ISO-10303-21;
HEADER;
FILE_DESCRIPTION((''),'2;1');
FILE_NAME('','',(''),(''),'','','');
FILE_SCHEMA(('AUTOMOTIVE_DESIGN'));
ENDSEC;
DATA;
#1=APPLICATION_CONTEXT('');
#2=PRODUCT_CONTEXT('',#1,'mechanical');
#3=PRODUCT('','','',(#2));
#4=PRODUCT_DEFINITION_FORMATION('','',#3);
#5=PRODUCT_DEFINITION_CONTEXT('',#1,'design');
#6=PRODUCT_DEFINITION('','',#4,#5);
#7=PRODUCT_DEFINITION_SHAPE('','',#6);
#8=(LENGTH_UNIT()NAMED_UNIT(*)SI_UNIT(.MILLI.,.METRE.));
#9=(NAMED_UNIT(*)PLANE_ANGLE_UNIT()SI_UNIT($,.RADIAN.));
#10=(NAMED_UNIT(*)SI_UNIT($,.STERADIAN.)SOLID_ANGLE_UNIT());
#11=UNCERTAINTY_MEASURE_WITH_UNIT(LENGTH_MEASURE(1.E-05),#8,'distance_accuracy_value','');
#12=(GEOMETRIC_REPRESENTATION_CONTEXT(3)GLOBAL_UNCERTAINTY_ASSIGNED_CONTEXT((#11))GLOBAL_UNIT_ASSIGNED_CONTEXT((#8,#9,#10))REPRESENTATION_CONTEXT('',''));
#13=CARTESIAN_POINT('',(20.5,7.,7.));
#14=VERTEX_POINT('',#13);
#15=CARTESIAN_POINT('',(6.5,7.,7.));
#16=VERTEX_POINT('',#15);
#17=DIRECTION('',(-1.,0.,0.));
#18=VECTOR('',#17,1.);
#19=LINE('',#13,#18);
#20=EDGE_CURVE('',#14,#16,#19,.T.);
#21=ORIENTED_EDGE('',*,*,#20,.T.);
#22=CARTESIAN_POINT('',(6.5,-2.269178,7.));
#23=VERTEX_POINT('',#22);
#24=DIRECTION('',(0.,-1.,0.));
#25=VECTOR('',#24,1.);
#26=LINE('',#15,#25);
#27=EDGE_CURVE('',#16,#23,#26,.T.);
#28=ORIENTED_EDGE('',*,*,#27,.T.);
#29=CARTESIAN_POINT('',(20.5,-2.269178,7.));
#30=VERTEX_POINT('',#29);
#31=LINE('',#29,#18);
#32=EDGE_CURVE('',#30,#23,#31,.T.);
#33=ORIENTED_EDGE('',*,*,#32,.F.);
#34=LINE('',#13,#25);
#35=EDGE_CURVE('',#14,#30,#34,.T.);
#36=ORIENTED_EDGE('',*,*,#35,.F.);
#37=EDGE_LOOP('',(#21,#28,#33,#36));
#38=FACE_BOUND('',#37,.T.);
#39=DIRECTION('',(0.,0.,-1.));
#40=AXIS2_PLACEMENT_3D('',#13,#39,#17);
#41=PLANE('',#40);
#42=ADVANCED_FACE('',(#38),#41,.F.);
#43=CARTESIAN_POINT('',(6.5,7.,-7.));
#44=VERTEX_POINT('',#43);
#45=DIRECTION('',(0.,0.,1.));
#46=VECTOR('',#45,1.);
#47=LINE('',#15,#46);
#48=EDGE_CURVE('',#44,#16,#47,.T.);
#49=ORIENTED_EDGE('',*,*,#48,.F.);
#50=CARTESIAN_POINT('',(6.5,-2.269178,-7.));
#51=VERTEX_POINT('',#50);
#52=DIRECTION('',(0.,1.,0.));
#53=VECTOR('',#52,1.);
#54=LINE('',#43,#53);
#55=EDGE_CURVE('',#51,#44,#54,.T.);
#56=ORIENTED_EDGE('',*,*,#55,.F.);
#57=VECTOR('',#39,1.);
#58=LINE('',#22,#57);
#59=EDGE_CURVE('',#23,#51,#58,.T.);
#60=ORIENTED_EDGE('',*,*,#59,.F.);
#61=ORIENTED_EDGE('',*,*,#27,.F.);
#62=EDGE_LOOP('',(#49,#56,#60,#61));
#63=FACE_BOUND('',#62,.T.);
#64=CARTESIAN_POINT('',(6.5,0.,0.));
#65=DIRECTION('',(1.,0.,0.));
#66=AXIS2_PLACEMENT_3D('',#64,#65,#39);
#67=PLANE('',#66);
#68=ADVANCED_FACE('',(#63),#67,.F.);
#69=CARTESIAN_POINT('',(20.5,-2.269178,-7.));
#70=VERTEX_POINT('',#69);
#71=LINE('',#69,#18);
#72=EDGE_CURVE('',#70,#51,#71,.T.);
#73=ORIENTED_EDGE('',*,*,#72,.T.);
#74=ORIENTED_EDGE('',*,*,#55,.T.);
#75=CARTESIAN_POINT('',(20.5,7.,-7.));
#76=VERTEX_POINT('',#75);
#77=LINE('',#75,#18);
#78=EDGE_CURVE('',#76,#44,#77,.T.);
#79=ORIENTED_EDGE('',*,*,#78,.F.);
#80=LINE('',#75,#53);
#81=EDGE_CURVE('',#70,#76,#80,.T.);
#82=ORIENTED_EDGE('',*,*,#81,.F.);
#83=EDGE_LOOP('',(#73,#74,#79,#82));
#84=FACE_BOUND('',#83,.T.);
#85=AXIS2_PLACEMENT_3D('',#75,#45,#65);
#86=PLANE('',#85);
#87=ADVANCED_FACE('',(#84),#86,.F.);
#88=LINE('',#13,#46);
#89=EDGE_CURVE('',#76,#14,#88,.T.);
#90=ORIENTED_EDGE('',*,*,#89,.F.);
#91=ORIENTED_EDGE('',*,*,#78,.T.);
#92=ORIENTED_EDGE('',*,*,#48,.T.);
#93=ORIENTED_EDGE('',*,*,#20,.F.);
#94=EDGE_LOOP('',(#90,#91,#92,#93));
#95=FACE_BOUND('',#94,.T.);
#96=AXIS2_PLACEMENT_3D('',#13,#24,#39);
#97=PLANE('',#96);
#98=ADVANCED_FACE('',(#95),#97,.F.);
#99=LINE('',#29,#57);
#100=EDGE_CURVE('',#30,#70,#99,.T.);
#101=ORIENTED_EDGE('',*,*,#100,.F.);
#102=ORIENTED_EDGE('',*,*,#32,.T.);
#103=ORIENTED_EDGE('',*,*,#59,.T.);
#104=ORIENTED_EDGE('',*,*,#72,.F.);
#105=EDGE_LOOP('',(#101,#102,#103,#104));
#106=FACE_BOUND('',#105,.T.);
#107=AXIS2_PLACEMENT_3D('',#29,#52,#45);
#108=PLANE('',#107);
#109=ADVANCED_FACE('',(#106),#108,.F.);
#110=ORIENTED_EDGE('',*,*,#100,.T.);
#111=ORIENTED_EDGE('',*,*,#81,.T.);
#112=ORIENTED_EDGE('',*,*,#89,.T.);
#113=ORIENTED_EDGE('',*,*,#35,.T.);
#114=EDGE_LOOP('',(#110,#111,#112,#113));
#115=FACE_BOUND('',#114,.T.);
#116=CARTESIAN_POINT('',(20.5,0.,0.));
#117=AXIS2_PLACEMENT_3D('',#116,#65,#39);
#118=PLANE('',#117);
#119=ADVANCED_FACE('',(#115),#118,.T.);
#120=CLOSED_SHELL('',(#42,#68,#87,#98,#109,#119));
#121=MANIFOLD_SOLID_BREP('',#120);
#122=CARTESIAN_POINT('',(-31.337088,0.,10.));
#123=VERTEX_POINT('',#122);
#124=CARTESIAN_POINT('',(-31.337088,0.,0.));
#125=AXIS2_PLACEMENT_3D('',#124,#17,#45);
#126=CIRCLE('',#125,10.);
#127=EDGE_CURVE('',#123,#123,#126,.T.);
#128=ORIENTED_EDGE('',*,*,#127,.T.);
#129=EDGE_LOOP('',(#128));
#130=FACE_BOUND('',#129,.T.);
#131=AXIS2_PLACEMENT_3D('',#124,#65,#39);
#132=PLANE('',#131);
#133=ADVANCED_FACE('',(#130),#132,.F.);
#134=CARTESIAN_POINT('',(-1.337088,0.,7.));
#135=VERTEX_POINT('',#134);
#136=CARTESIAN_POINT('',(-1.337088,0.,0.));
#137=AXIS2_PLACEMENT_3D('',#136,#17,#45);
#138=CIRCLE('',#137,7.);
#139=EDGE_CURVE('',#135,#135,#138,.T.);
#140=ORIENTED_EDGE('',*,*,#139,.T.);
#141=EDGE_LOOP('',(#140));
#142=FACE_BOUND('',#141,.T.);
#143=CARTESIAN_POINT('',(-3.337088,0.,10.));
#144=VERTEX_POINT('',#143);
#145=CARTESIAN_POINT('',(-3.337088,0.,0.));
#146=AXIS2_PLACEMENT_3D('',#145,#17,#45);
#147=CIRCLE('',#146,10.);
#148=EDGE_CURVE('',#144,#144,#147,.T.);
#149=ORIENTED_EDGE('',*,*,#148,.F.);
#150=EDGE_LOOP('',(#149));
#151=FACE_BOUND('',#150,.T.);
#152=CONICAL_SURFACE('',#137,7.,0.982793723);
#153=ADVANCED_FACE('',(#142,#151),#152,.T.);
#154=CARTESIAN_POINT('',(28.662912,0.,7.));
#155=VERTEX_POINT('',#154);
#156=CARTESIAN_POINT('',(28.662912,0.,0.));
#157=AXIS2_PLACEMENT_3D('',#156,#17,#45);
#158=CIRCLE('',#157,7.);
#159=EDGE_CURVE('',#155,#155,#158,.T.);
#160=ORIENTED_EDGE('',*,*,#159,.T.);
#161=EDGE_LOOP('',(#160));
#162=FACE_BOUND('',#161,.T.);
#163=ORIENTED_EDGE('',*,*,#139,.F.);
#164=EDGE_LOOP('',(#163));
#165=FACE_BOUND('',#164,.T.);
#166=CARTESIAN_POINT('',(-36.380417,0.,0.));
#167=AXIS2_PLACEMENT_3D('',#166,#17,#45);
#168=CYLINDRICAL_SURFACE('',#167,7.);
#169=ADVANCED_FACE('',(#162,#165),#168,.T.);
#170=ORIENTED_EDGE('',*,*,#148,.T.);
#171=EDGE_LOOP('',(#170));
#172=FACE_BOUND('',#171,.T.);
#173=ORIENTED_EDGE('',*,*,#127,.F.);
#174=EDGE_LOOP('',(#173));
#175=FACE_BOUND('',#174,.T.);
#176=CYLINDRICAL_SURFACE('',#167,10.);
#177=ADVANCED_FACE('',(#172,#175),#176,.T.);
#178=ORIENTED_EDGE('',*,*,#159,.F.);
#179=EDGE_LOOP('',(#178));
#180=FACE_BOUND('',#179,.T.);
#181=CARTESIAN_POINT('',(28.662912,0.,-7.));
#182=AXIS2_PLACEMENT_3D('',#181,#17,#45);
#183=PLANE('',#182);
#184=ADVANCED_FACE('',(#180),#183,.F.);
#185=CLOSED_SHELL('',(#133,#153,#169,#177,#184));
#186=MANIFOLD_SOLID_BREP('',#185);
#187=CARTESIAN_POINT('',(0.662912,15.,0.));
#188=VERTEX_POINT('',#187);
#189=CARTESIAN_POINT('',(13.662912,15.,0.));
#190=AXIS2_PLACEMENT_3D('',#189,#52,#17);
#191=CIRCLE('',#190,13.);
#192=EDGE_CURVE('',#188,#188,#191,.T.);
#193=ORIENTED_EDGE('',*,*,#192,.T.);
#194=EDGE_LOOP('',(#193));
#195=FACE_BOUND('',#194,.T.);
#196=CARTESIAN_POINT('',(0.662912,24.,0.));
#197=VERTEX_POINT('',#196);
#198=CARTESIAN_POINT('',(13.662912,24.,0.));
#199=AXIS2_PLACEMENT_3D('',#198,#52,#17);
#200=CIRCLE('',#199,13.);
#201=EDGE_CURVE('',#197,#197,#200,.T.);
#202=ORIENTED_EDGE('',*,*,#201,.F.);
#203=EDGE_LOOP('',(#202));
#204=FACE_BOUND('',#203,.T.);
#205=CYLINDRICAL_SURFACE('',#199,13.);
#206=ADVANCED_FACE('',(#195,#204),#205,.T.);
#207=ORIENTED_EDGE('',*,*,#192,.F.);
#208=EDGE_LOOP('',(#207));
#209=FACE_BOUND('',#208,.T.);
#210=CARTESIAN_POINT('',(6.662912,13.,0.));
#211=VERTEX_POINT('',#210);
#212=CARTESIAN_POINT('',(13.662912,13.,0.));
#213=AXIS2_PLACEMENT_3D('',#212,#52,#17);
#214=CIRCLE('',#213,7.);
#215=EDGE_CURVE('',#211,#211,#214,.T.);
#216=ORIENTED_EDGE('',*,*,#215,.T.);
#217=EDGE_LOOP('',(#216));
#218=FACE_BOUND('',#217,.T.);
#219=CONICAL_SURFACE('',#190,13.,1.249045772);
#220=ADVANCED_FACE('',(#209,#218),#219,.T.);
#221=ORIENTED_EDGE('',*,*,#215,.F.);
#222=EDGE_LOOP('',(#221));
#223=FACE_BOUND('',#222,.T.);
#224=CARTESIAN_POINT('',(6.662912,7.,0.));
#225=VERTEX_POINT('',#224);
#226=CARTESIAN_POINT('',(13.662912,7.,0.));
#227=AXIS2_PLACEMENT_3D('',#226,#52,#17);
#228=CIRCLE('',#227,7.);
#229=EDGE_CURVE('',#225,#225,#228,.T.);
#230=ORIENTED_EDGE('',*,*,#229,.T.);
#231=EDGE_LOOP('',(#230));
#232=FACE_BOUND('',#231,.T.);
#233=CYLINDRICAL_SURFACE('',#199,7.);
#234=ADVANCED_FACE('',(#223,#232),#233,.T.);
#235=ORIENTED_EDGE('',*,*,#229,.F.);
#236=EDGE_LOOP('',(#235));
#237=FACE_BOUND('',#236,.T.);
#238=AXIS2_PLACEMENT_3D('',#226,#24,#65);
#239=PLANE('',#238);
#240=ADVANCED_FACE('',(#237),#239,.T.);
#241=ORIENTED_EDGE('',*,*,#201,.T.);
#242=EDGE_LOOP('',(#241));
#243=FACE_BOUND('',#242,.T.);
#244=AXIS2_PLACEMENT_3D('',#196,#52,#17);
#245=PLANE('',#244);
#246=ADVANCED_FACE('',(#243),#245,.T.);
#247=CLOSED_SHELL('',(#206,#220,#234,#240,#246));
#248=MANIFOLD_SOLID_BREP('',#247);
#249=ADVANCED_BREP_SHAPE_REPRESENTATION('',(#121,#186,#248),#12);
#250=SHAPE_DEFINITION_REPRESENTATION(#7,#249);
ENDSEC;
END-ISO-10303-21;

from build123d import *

# Parameters (mm, degrees)
BOSS_EXTRUDE2_START = 13.5
SKETCH5_W           = 14
SKETCH5_H           = 9.269178055
BOSS_EXTRUDE2_DEPTH = 7


with BuildPart() as part:
    # Sketch1 → Revolve1 (revolve)
    with BuildSketch(Plane(origin=(0, 0, 0), x_dir=(1, 0, 0), z_dir=(0, 1, 0))):
        Polygon((-31.337087529, 10), (-3.337087529, 10), (-1.337087529, 7), (28.662912471, 7), (28.662912471, 0), (-31.337087529, 0), align=None)
    revolve(axis=Axis((-36.380417391, 0, 0), (1, 0, 0)))


with BuildPart() as body_2:
    # Sketch4 → Revolve2 (revolve)
    with BuildSketch(Plane.XY):
        Polygon((6.662912471, 7), (6.662912471, 13), (0.662912471, 15), (0.662912471, 24), (13.662912471, 24), (13.662912471, 7), align=None)
    revolve(axis=Axis((13.662912471, 24, 0), (0, -1, 0)))


with BuildPart() as body_3:
    # Sketch5 → Boss-Extrude2 (new body, symmetric)
    with BuildSketch(Plane(origin=(0, 0, 0), x_dir=(0, 0, -1), z_dir=(1, 0, 0)).offset(BOSS_EXTRUDE2_START)):
        with Locations((0, 2.365410972)):
            Rectangle(SKETCH5_W, SKETCH5_H)
    extrude(amount=BOSS_EXTRUDE2_DEPTH, both=True)


solid = Compound([part.part, body_2.part, body_3.part])
